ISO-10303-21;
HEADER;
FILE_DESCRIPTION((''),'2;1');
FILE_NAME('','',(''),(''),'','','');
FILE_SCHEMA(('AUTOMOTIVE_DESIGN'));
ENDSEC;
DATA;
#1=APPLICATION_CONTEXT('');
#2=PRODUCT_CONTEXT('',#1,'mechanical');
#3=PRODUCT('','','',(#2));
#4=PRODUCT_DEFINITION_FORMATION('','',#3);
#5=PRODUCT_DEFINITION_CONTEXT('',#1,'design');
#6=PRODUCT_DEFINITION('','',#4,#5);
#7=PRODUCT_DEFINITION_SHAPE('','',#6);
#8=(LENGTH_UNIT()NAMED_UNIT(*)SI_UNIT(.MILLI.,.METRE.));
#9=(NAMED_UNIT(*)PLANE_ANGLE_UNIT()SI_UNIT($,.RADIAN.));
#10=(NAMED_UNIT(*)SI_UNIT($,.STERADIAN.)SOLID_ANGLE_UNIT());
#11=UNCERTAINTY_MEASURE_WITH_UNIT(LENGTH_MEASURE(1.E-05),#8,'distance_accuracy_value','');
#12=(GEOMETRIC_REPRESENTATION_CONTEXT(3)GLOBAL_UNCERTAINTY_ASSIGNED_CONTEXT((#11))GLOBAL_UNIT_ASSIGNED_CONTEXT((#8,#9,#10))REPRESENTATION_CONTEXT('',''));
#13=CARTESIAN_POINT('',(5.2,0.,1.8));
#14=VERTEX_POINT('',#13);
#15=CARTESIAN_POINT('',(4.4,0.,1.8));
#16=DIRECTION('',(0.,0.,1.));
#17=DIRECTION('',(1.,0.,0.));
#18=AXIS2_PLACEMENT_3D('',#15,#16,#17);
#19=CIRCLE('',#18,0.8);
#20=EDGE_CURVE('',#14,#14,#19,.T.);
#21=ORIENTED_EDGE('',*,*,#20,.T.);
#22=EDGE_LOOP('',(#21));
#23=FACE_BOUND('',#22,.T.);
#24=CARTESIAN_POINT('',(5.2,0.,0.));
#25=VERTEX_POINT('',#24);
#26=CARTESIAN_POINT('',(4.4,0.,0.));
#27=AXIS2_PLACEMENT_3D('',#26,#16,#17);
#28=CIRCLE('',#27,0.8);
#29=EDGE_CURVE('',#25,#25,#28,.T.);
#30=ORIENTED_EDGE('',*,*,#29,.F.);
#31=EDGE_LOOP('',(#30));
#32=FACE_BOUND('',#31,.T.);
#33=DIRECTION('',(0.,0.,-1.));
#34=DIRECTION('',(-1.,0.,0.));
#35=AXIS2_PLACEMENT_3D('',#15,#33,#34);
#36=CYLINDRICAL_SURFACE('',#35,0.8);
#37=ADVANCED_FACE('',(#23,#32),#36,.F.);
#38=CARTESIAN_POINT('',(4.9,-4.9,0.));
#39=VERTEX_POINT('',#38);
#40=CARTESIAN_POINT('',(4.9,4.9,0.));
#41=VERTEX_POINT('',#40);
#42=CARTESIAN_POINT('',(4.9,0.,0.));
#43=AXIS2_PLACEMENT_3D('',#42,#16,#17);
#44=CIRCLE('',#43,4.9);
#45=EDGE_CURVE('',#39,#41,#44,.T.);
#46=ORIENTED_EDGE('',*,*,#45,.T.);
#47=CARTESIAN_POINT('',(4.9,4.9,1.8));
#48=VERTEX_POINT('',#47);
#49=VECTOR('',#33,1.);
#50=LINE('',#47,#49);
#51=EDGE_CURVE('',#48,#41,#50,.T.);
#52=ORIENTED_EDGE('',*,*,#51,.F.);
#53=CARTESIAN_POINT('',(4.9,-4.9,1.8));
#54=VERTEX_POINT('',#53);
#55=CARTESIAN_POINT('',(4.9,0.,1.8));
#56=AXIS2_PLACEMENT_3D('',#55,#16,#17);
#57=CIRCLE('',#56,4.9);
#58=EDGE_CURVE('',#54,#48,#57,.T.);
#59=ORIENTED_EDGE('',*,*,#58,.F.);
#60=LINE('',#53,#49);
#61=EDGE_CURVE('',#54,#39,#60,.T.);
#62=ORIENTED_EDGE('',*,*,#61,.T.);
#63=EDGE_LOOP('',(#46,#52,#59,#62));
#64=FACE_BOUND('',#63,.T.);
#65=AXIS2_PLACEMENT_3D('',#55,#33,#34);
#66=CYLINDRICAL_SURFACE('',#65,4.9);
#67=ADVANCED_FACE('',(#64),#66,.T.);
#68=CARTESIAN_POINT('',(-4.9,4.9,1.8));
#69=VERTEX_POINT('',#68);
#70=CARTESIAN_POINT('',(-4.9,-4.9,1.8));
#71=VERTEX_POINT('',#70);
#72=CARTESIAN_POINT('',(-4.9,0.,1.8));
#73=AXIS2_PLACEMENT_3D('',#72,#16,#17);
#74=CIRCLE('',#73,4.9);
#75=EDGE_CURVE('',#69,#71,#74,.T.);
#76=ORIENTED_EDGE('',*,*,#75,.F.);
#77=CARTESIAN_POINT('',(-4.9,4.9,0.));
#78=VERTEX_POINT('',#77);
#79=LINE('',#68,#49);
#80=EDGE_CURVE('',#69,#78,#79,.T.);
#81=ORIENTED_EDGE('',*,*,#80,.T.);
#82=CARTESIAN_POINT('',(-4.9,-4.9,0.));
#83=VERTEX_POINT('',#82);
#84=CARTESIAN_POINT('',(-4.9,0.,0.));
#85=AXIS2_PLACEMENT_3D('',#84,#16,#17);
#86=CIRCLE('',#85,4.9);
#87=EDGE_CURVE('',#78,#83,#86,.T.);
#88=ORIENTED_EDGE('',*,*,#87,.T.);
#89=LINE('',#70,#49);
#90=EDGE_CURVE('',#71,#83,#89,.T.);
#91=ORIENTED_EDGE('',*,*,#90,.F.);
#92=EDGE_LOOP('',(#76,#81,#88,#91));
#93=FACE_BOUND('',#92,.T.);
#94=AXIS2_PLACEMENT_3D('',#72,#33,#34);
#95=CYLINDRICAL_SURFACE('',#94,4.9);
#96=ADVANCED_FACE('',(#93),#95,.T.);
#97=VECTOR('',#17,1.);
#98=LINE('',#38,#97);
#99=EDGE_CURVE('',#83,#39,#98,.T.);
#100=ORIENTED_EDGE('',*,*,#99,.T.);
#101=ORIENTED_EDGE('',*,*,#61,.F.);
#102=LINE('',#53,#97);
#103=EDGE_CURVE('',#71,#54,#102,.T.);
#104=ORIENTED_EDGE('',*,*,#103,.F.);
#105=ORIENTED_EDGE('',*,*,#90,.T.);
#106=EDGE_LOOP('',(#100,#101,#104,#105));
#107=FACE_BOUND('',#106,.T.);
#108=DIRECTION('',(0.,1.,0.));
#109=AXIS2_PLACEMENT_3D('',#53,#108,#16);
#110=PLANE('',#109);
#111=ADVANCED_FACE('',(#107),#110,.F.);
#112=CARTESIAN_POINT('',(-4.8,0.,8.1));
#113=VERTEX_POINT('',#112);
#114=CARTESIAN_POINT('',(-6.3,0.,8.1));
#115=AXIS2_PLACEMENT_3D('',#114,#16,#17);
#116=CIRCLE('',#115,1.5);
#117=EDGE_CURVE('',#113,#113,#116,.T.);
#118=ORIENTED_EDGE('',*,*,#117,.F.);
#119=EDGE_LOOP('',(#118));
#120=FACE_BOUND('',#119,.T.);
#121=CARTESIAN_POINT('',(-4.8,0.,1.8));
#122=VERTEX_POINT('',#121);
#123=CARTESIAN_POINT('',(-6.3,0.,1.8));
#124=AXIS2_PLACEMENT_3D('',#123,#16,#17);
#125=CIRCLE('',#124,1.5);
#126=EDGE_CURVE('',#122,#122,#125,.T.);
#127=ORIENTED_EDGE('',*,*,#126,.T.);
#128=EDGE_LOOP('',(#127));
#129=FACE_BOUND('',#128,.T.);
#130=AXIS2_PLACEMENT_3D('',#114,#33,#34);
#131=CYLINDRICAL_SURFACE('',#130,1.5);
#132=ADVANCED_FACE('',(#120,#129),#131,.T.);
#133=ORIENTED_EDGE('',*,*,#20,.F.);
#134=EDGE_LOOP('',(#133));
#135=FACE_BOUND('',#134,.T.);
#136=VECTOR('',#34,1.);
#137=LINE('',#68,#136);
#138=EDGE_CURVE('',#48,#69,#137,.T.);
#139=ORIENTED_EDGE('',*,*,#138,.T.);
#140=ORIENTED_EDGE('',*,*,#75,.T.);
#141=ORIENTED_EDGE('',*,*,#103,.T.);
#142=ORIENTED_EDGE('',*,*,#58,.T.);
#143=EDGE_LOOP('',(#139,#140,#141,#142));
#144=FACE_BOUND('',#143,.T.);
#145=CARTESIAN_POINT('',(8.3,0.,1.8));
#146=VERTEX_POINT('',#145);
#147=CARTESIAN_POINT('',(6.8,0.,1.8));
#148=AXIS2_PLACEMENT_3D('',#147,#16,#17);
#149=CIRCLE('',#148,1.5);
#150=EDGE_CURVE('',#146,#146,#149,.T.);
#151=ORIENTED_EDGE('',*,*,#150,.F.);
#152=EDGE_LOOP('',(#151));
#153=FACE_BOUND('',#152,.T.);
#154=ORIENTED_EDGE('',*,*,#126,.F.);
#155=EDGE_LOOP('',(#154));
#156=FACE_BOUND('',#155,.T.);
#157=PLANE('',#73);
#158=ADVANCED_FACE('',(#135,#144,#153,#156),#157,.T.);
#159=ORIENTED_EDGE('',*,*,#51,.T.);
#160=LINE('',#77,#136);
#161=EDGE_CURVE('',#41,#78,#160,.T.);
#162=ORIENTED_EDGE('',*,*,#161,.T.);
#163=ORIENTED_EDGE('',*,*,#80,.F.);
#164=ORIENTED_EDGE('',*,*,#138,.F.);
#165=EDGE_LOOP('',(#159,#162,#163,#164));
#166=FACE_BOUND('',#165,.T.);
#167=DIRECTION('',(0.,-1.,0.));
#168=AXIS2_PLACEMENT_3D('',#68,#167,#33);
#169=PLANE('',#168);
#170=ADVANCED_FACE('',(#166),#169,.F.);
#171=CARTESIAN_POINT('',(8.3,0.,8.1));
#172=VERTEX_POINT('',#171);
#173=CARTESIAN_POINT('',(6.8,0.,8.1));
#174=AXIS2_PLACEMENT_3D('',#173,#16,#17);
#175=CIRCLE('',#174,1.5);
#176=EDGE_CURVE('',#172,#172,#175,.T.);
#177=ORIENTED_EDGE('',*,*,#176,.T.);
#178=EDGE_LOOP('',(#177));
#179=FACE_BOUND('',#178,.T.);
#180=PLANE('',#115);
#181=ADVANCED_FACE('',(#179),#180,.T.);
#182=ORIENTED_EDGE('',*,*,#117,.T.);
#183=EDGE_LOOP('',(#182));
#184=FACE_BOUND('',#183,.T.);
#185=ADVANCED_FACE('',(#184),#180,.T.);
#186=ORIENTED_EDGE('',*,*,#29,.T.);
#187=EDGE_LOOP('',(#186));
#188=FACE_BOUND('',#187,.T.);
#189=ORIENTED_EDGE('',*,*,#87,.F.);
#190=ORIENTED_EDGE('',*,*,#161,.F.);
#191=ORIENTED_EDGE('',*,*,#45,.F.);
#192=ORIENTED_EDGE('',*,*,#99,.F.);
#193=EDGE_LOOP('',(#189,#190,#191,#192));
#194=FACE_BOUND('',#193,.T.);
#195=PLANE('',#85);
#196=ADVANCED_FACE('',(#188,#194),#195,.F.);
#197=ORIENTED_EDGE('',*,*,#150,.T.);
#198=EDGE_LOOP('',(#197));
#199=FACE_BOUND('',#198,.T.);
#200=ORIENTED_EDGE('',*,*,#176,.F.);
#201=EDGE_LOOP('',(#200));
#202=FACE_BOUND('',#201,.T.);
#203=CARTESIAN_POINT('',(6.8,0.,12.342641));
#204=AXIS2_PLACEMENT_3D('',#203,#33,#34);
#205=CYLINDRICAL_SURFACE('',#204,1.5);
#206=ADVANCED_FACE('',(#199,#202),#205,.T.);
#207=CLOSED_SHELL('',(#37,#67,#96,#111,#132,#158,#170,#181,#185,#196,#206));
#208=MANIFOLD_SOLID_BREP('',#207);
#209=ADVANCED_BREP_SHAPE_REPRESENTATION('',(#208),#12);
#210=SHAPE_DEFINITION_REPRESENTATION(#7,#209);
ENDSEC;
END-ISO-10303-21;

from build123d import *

# Parameters (mm, degrees)
SCHIZZO1_R                   = 0.8
ESTRUSIONE_ESTRUSIONE1_DEPTH = 1.8
SCHIZZO2_R                   = 1.5
ESTRUSIONE_ESTRUSIONE2_DEPTH = 6.3
SCHIZZO3_R                   = 1.5
ESTRUSIONE_ESTRUSIONE3_DEPTH = 6.3


with BuildPart() as part:
    # Schizzo1 → Estrusione-Estrusione1 (new body)
    with BuildSketch(Plane.XY):
        with BuildLine():
            Line((-4.9, 4.9), (4.9, 4.9))
            ThreePointArc((4.9, 4.9), (9.8, 0), (4.9, -4.9))
            Line((4.9, -4.9), (-4.9, -4.9))
            ThreePointArc((-4.9, -4.9), (-9.8, 0), (-4.9, 4.9))
        make_face()
        with Locations((4.4, 0)):
            Circle(SCHIZZO1_R, mode=Mode.SUBTRACT)
    extrude(amount=ESTRUSIONE_ESTRUSIONE1_DEPTH)

    # Schizzo2 → Estrusione-Estrusione2 (add)
    with BuildSketch(Plane.XY.offset(1.8)):
        with Locations((-6.3, 0)):
            Circle(SCHIZZO2_R)
    extrude(amount=ESTRUSIONE_ESTRUSIONE2_DEPTH)

    # Schizzo3 → Estrusione-Estrusione3 (add)
    with BuildSketch(Plane.XY.offset(1.8)):
        with Locations((6.8, 0)):
            Circle(SCHIZZO3_R)
    extrude(amount=ESTRUSIONE_ESTRUSIONE3_DEPTH)


solid = part.part
